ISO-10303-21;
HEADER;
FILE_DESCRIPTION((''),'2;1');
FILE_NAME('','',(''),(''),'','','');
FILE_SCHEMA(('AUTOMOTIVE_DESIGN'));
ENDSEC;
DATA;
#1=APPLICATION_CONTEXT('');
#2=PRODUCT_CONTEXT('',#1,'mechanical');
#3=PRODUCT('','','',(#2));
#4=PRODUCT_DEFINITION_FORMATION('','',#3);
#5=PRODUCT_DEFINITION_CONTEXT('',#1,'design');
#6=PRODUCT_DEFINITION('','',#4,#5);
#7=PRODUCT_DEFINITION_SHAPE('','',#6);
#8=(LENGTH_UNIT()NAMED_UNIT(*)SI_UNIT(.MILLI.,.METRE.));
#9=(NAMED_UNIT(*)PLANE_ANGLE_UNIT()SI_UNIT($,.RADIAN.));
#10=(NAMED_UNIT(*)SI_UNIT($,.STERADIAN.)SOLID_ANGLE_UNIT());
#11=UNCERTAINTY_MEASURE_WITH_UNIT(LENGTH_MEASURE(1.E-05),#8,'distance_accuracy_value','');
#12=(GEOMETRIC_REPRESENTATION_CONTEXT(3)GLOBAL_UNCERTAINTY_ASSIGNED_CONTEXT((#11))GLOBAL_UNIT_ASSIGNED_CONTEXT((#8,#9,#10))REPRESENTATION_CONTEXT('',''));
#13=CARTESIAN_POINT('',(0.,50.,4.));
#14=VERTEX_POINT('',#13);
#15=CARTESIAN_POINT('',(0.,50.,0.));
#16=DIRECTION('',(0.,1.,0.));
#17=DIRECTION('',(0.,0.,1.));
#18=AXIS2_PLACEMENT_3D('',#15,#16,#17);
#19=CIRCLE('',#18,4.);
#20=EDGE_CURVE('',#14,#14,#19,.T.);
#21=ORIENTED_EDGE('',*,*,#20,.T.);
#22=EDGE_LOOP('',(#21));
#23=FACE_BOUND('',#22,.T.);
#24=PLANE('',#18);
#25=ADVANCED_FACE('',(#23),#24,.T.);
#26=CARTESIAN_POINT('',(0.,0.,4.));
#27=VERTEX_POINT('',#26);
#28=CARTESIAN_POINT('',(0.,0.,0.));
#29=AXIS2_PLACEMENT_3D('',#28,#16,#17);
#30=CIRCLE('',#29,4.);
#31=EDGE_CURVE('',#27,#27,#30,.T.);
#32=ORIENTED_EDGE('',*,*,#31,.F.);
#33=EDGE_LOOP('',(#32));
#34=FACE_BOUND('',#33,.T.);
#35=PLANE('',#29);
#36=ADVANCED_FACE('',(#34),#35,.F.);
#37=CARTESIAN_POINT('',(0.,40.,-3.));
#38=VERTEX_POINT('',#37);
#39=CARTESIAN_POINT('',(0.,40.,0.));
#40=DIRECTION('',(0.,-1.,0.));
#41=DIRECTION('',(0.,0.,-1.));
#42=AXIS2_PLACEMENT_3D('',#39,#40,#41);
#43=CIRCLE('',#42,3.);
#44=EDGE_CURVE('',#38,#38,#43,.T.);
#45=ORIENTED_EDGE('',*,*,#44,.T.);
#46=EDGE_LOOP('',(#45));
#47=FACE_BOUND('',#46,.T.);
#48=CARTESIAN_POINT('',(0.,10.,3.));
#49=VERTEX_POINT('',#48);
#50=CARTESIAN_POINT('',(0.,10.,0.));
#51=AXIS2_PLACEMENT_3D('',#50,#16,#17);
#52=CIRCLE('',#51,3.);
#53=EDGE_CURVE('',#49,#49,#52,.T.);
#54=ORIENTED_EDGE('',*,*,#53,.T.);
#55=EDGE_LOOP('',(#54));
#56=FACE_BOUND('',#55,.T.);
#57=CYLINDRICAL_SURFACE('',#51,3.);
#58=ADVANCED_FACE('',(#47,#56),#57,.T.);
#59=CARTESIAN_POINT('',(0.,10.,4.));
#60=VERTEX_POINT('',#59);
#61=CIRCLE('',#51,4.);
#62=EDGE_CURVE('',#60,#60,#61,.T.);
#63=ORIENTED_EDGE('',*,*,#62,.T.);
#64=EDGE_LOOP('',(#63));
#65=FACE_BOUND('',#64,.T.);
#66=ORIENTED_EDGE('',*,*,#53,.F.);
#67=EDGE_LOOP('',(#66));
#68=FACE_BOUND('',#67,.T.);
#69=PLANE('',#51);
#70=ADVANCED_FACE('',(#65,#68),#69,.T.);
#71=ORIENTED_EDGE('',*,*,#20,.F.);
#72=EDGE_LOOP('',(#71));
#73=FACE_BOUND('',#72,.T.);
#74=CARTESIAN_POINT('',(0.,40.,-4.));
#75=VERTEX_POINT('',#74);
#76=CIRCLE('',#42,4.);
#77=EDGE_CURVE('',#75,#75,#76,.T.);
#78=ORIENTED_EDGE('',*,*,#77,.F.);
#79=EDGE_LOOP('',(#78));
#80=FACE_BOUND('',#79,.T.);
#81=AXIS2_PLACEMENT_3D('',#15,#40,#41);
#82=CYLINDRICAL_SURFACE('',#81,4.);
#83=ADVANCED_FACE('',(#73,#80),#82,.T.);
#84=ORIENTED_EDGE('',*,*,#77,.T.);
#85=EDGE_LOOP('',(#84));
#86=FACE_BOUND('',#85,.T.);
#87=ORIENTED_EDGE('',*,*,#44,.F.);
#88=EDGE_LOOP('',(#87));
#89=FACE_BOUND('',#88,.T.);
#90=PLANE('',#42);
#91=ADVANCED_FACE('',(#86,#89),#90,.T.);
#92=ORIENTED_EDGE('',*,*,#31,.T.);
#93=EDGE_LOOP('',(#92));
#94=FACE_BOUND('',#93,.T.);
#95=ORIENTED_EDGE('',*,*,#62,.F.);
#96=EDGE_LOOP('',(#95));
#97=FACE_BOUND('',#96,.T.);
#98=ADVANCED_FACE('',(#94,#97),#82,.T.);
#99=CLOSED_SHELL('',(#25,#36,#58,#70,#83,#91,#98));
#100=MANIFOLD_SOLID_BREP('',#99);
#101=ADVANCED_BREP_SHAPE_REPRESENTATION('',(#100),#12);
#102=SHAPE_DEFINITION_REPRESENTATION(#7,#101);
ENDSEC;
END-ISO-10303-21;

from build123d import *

# Parameters (mm, degrees)
SKETCH1_R           = 4
BOSS_EXTRUDE1_DEPTH = 50
SKETCH2_R           = 5.534283494
SKETCH2_R_2         = 3
CUT_EXTRUDE1_DEPTH  = 15
SKETCH4_R           = 4
SKETCH4_R_2         = 3
CUT_EXTRUDE2_DEPTH  = 15


with BuildPart() as part:
    # Sketch1 → Boss-Extrude1 (new body)
    with BuildSketch(Plane(origin=(0, 0, 0), x_dir=(1, 0, 0), z_dir=(0, 1, 0))):
        with Locations(Location((0, 0, 0), (0, 0, 270))):
            Circle(SKETCH1_R)
    extrude(amount=BOSS_EXTRUDE1_DEPTH)

    # Sketch2 → Cut-Extrude1 (cut)
    with BuildSketch(Plane(origin=(0, 25, 0), x_dir=(1, 0, 0), z_dir=(0, 1, 0))):
        Circle(SKETCH2_R)
        with Locations(Location((0, 0, 0), (0, 0, 270))):
            Circle(SKETCH2_R_2, mode=Mode.SUBTRACT)
    extrude(amount=-CUT_EXTRUDE1_DEPTH, mode=Mode.SUBTRACT)

    # Sketch4 → Cut-Extrude2 (cut)
    with BuildSketch(Plane.XZ.offset(-25)):
        with Locations(Location((0, 0, 0), (0, 0, 90))):
            Circle(SKETCH4_R)
        with Locations(Location((0, 0, 0), (0, 0, 90))):
            Circle(SKETCH4_R_2, mode=Mode.SUBTRACT)
    extrude(amount=-CUT_EXTRUDE2_DEPTH, mode=Mode.SUBTRACT)


solid = part.part
